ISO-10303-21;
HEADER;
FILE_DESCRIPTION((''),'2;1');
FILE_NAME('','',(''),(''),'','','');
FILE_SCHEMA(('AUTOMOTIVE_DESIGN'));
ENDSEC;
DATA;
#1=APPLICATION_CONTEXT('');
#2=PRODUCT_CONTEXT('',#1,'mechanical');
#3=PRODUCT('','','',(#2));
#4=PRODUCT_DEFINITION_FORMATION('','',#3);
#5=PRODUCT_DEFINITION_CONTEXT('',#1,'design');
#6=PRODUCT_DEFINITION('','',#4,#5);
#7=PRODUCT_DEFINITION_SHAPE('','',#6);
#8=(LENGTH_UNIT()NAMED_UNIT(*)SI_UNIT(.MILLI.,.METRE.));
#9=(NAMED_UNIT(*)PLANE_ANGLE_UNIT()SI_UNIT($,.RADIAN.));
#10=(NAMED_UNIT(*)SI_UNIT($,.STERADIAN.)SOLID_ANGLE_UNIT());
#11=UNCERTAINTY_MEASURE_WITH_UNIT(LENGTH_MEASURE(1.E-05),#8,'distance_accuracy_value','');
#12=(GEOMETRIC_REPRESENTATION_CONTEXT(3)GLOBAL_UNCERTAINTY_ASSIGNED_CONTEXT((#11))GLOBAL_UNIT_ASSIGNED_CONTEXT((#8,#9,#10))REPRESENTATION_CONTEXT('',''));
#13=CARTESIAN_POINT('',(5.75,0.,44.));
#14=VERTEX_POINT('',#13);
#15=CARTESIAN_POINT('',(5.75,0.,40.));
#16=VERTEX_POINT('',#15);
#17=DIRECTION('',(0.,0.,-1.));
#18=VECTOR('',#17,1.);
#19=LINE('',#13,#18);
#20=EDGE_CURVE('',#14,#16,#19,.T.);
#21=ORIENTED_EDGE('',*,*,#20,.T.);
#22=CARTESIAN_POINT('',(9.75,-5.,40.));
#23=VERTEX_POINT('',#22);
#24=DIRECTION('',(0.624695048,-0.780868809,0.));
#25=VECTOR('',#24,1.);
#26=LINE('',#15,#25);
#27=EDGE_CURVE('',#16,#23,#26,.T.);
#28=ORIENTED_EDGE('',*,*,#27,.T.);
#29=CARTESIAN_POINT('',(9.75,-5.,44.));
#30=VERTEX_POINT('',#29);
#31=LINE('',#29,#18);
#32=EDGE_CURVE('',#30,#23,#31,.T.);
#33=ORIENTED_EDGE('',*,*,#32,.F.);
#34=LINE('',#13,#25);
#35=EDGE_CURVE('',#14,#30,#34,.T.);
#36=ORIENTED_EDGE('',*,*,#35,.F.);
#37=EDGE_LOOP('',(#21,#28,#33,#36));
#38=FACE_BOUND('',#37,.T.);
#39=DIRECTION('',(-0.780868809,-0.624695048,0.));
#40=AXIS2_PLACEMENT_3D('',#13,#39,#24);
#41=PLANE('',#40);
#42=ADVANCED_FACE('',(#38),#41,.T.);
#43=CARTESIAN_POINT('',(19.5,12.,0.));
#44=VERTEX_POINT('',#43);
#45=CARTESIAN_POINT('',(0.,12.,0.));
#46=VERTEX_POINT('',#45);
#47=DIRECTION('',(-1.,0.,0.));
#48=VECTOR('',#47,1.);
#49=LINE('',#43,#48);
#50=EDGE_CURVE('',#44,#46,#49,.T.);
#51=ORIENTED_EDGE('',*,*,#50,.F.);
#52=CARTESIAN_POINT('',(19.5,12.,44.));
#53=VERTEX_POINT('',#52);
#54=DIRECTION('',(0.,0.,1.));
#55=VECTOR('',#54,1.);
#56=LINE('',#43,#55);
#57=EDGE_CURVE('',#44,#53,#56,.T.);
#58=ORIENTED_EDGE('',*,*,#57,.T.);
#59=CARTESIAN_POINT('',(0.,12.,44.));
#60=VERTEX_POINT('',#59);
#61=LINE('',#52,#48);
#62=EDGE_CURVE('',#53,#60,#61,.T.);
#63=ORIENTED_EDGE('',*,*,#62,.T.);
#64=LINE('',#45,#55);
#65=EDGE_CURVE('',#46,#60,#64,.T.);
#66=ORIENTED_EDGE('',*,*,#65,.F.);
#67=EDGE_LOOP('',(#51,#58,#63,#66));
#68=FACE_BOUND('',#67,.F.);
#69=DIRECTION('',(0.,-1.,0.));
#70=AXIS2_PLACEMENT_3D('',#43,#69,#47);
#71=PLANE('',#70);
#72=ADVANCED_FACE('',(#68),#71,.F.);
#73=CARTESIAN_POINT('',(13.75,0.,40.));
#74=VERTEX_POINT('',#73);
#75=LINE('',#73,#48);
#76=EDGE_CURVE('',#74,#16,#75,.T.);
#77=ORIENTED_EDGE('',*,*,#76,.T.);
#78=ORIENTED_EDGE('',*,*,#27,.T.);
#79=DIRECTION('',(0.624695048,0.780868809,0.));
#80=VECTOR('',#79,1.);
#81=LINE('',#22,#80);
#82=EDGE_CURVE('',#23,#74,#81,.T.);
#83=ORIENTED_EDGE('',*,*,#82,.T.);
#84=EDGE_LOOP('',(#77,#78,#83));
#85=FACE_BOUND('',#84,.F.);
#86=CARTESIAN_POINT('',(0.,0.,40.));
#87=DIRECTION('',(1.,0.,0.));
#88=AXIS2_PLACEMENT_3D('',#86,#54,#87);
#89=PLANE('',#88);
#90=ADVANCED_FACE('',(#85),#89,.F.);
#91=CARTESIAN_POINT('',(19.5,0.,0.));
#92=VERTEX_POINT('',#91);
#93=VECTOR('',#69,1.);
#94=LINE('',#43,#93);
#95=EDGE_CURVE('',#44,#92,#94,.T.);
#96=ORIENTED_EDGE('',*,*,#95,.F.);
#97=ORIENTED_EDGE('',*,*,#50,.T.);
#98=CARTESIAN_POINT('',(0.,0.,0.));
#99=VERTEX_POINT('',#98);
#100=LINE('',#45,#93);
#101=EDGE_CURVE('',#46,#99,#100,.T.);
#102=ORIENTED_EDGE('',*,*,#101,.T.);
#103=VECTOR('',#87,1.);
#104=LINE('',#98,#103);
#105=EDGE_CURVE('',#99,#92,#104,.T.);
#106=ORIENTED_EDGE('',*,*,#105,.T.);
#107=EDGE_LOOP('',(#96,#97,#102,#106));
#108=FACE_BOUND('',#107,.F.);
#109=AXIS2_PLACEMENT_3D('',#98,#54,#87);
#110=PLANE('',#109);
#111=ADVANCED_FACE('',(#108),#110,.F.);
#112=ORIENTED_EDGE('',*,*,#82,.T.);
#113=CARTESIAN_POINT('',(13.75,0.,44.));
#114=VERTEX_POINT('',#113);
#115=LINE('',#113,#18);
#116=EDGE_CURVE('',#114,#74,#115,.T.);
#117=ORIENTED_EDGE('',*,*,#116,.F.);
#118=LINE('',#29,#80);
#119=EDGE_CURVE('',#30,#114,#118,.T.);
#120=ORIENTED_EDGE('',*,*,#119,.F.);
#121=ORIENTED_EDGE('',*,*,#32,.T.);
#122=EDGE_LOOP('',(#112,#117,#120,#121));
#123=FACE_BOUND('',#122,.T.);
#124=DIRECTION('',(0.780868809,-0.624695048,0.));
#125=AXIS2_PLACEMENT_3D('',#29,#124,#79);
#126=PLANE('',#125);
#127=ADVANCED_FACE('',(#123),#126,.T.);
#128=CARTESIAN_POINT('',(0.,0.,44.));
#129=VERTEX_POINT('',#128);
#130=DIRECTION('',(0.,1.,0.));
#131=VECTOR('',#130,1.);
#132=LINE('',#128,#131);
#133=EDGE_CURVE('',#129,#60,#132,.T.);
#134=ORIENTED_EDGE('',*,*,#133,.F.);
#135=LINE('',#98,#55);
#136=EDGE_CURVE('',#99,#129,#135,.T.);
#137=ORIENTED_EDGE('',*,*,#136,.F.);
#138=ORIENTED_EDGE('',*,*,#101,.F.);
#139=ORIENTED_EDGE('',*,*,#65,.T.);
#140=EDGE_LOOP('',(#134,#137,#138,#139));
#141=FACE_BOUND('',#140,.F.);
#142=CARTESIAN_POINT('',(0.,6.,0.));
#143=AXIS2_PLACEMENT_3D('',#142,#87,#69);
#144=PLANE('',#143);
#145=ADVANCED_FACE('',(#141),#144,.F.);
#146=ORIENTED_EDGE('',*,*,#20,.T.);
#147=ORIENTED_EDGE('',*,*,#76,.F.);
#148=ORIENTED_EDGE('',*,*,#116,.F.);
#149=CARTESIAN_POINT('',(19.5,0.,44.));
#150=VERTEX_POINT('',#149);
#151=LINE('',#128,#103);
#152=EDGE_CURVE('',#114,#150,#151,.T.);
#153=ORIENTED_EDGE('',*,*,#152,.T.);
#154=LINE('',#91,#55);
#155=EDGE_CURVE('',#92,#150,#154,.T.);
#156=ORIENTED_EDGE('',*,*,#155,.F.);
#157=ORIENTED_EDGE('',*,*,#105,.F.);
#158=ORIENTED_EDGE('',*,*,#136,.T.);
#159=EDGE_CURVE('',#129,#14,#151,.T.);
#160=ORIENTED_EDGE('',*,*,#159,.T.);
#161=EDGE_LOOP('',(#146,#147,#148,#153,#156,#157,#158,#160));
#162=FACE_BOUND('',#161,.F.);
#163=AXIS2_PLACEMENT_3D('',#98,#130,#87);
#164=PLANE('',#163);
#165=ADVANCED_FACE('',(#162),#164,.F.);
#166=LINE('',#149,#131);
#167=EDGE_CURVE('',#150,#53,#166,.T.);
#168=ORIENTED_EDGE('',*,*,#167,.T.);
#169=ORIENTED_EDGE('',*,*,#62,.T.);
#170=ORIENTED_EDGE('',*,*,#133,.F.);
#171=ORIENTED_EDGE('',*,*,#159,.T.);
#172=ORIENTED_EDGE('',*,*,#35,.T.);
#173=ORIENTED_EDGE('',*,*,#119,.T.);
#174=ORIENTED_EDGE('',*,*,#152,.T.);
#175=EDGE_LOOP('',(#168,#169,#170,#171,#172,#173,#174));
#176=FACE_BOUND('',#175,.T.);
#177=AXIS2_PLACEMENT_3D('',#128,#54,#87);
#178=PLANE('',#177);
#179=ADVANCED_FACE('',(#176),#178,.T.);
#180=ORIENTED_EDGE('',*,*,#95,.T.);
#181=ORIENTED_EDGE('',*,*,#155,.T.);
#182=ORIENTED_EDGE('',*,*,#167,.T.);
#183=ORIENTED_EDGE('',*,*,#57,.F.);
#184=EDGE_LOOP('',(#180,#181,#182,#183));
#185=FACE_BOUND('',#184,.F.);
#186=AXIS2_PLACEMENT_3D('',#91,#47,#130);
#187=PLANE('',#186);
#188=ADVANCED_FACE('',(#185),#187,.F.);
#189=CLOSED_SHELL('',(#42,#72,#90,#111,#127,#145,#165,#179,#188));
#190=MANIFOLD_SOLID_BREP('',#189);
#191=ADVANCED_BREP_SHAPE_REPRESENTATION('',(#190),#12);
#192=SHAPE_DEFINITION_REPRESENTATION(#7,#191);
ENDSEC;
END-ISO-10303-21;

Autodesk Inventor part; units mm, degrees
ref_plane "YZ Plane" through (0, 0, 0) normal (1, 0, 0) x (0, 1, 0)
ref_plane "XZ Plane" through (0, 0, 0) normal (0, 1, 0) x (-1, 0, 0)
ref_plane "XY Plane" through (0, 0, 0) normal (0, 0, 1) x (1, 0, 0)
sketch "Sketch1" plane through (0, 0, 0) normal (0, 0, 1) x (1, 0, 0)
  line L0 (0, 0) -> (19.5, 0)
  line L1 (19.5, 0) -> (19.5, 12)
  line L2 (19.5, 12) -> (0, 12)
  line L3 (0, 12) -> (0, 0)
  line L4 (4.987, 6) -> (14.513, 6) construction
  line L5 (14.513, 6) -> (19.5, 6)
  line L6 (4.987, 6) -> (0, 6)
  point P0 (0, 6)
  dimension "d0" = 19.5
  dimension "d1" = 12
  dimension "d2" = 9.526
extrude "Extrusion1" add sketch "Sketch1" along normal blind 44
sketch "Sketch3" plane through (0, 0, 44) normal (0, 0, 1) x (1, 0, 0)
  line L0 (0, 0) -> (19.5, 0) projected
  line L1 (5.75, 0) -> (9.75, -5)
  line L2 (9.75, -5) -> (13.75, 0)
  line L3 (9.75, 0) -> (9.75, -5)
  dimension "d6" = 4
  dimension "d7" = 4
  dimension "d8" = 5
extrude "Extrusion2" add sketch "Sketch3" against normal blind 4
equation "\"d7\" = d6"
properties part number "dialPointer"
